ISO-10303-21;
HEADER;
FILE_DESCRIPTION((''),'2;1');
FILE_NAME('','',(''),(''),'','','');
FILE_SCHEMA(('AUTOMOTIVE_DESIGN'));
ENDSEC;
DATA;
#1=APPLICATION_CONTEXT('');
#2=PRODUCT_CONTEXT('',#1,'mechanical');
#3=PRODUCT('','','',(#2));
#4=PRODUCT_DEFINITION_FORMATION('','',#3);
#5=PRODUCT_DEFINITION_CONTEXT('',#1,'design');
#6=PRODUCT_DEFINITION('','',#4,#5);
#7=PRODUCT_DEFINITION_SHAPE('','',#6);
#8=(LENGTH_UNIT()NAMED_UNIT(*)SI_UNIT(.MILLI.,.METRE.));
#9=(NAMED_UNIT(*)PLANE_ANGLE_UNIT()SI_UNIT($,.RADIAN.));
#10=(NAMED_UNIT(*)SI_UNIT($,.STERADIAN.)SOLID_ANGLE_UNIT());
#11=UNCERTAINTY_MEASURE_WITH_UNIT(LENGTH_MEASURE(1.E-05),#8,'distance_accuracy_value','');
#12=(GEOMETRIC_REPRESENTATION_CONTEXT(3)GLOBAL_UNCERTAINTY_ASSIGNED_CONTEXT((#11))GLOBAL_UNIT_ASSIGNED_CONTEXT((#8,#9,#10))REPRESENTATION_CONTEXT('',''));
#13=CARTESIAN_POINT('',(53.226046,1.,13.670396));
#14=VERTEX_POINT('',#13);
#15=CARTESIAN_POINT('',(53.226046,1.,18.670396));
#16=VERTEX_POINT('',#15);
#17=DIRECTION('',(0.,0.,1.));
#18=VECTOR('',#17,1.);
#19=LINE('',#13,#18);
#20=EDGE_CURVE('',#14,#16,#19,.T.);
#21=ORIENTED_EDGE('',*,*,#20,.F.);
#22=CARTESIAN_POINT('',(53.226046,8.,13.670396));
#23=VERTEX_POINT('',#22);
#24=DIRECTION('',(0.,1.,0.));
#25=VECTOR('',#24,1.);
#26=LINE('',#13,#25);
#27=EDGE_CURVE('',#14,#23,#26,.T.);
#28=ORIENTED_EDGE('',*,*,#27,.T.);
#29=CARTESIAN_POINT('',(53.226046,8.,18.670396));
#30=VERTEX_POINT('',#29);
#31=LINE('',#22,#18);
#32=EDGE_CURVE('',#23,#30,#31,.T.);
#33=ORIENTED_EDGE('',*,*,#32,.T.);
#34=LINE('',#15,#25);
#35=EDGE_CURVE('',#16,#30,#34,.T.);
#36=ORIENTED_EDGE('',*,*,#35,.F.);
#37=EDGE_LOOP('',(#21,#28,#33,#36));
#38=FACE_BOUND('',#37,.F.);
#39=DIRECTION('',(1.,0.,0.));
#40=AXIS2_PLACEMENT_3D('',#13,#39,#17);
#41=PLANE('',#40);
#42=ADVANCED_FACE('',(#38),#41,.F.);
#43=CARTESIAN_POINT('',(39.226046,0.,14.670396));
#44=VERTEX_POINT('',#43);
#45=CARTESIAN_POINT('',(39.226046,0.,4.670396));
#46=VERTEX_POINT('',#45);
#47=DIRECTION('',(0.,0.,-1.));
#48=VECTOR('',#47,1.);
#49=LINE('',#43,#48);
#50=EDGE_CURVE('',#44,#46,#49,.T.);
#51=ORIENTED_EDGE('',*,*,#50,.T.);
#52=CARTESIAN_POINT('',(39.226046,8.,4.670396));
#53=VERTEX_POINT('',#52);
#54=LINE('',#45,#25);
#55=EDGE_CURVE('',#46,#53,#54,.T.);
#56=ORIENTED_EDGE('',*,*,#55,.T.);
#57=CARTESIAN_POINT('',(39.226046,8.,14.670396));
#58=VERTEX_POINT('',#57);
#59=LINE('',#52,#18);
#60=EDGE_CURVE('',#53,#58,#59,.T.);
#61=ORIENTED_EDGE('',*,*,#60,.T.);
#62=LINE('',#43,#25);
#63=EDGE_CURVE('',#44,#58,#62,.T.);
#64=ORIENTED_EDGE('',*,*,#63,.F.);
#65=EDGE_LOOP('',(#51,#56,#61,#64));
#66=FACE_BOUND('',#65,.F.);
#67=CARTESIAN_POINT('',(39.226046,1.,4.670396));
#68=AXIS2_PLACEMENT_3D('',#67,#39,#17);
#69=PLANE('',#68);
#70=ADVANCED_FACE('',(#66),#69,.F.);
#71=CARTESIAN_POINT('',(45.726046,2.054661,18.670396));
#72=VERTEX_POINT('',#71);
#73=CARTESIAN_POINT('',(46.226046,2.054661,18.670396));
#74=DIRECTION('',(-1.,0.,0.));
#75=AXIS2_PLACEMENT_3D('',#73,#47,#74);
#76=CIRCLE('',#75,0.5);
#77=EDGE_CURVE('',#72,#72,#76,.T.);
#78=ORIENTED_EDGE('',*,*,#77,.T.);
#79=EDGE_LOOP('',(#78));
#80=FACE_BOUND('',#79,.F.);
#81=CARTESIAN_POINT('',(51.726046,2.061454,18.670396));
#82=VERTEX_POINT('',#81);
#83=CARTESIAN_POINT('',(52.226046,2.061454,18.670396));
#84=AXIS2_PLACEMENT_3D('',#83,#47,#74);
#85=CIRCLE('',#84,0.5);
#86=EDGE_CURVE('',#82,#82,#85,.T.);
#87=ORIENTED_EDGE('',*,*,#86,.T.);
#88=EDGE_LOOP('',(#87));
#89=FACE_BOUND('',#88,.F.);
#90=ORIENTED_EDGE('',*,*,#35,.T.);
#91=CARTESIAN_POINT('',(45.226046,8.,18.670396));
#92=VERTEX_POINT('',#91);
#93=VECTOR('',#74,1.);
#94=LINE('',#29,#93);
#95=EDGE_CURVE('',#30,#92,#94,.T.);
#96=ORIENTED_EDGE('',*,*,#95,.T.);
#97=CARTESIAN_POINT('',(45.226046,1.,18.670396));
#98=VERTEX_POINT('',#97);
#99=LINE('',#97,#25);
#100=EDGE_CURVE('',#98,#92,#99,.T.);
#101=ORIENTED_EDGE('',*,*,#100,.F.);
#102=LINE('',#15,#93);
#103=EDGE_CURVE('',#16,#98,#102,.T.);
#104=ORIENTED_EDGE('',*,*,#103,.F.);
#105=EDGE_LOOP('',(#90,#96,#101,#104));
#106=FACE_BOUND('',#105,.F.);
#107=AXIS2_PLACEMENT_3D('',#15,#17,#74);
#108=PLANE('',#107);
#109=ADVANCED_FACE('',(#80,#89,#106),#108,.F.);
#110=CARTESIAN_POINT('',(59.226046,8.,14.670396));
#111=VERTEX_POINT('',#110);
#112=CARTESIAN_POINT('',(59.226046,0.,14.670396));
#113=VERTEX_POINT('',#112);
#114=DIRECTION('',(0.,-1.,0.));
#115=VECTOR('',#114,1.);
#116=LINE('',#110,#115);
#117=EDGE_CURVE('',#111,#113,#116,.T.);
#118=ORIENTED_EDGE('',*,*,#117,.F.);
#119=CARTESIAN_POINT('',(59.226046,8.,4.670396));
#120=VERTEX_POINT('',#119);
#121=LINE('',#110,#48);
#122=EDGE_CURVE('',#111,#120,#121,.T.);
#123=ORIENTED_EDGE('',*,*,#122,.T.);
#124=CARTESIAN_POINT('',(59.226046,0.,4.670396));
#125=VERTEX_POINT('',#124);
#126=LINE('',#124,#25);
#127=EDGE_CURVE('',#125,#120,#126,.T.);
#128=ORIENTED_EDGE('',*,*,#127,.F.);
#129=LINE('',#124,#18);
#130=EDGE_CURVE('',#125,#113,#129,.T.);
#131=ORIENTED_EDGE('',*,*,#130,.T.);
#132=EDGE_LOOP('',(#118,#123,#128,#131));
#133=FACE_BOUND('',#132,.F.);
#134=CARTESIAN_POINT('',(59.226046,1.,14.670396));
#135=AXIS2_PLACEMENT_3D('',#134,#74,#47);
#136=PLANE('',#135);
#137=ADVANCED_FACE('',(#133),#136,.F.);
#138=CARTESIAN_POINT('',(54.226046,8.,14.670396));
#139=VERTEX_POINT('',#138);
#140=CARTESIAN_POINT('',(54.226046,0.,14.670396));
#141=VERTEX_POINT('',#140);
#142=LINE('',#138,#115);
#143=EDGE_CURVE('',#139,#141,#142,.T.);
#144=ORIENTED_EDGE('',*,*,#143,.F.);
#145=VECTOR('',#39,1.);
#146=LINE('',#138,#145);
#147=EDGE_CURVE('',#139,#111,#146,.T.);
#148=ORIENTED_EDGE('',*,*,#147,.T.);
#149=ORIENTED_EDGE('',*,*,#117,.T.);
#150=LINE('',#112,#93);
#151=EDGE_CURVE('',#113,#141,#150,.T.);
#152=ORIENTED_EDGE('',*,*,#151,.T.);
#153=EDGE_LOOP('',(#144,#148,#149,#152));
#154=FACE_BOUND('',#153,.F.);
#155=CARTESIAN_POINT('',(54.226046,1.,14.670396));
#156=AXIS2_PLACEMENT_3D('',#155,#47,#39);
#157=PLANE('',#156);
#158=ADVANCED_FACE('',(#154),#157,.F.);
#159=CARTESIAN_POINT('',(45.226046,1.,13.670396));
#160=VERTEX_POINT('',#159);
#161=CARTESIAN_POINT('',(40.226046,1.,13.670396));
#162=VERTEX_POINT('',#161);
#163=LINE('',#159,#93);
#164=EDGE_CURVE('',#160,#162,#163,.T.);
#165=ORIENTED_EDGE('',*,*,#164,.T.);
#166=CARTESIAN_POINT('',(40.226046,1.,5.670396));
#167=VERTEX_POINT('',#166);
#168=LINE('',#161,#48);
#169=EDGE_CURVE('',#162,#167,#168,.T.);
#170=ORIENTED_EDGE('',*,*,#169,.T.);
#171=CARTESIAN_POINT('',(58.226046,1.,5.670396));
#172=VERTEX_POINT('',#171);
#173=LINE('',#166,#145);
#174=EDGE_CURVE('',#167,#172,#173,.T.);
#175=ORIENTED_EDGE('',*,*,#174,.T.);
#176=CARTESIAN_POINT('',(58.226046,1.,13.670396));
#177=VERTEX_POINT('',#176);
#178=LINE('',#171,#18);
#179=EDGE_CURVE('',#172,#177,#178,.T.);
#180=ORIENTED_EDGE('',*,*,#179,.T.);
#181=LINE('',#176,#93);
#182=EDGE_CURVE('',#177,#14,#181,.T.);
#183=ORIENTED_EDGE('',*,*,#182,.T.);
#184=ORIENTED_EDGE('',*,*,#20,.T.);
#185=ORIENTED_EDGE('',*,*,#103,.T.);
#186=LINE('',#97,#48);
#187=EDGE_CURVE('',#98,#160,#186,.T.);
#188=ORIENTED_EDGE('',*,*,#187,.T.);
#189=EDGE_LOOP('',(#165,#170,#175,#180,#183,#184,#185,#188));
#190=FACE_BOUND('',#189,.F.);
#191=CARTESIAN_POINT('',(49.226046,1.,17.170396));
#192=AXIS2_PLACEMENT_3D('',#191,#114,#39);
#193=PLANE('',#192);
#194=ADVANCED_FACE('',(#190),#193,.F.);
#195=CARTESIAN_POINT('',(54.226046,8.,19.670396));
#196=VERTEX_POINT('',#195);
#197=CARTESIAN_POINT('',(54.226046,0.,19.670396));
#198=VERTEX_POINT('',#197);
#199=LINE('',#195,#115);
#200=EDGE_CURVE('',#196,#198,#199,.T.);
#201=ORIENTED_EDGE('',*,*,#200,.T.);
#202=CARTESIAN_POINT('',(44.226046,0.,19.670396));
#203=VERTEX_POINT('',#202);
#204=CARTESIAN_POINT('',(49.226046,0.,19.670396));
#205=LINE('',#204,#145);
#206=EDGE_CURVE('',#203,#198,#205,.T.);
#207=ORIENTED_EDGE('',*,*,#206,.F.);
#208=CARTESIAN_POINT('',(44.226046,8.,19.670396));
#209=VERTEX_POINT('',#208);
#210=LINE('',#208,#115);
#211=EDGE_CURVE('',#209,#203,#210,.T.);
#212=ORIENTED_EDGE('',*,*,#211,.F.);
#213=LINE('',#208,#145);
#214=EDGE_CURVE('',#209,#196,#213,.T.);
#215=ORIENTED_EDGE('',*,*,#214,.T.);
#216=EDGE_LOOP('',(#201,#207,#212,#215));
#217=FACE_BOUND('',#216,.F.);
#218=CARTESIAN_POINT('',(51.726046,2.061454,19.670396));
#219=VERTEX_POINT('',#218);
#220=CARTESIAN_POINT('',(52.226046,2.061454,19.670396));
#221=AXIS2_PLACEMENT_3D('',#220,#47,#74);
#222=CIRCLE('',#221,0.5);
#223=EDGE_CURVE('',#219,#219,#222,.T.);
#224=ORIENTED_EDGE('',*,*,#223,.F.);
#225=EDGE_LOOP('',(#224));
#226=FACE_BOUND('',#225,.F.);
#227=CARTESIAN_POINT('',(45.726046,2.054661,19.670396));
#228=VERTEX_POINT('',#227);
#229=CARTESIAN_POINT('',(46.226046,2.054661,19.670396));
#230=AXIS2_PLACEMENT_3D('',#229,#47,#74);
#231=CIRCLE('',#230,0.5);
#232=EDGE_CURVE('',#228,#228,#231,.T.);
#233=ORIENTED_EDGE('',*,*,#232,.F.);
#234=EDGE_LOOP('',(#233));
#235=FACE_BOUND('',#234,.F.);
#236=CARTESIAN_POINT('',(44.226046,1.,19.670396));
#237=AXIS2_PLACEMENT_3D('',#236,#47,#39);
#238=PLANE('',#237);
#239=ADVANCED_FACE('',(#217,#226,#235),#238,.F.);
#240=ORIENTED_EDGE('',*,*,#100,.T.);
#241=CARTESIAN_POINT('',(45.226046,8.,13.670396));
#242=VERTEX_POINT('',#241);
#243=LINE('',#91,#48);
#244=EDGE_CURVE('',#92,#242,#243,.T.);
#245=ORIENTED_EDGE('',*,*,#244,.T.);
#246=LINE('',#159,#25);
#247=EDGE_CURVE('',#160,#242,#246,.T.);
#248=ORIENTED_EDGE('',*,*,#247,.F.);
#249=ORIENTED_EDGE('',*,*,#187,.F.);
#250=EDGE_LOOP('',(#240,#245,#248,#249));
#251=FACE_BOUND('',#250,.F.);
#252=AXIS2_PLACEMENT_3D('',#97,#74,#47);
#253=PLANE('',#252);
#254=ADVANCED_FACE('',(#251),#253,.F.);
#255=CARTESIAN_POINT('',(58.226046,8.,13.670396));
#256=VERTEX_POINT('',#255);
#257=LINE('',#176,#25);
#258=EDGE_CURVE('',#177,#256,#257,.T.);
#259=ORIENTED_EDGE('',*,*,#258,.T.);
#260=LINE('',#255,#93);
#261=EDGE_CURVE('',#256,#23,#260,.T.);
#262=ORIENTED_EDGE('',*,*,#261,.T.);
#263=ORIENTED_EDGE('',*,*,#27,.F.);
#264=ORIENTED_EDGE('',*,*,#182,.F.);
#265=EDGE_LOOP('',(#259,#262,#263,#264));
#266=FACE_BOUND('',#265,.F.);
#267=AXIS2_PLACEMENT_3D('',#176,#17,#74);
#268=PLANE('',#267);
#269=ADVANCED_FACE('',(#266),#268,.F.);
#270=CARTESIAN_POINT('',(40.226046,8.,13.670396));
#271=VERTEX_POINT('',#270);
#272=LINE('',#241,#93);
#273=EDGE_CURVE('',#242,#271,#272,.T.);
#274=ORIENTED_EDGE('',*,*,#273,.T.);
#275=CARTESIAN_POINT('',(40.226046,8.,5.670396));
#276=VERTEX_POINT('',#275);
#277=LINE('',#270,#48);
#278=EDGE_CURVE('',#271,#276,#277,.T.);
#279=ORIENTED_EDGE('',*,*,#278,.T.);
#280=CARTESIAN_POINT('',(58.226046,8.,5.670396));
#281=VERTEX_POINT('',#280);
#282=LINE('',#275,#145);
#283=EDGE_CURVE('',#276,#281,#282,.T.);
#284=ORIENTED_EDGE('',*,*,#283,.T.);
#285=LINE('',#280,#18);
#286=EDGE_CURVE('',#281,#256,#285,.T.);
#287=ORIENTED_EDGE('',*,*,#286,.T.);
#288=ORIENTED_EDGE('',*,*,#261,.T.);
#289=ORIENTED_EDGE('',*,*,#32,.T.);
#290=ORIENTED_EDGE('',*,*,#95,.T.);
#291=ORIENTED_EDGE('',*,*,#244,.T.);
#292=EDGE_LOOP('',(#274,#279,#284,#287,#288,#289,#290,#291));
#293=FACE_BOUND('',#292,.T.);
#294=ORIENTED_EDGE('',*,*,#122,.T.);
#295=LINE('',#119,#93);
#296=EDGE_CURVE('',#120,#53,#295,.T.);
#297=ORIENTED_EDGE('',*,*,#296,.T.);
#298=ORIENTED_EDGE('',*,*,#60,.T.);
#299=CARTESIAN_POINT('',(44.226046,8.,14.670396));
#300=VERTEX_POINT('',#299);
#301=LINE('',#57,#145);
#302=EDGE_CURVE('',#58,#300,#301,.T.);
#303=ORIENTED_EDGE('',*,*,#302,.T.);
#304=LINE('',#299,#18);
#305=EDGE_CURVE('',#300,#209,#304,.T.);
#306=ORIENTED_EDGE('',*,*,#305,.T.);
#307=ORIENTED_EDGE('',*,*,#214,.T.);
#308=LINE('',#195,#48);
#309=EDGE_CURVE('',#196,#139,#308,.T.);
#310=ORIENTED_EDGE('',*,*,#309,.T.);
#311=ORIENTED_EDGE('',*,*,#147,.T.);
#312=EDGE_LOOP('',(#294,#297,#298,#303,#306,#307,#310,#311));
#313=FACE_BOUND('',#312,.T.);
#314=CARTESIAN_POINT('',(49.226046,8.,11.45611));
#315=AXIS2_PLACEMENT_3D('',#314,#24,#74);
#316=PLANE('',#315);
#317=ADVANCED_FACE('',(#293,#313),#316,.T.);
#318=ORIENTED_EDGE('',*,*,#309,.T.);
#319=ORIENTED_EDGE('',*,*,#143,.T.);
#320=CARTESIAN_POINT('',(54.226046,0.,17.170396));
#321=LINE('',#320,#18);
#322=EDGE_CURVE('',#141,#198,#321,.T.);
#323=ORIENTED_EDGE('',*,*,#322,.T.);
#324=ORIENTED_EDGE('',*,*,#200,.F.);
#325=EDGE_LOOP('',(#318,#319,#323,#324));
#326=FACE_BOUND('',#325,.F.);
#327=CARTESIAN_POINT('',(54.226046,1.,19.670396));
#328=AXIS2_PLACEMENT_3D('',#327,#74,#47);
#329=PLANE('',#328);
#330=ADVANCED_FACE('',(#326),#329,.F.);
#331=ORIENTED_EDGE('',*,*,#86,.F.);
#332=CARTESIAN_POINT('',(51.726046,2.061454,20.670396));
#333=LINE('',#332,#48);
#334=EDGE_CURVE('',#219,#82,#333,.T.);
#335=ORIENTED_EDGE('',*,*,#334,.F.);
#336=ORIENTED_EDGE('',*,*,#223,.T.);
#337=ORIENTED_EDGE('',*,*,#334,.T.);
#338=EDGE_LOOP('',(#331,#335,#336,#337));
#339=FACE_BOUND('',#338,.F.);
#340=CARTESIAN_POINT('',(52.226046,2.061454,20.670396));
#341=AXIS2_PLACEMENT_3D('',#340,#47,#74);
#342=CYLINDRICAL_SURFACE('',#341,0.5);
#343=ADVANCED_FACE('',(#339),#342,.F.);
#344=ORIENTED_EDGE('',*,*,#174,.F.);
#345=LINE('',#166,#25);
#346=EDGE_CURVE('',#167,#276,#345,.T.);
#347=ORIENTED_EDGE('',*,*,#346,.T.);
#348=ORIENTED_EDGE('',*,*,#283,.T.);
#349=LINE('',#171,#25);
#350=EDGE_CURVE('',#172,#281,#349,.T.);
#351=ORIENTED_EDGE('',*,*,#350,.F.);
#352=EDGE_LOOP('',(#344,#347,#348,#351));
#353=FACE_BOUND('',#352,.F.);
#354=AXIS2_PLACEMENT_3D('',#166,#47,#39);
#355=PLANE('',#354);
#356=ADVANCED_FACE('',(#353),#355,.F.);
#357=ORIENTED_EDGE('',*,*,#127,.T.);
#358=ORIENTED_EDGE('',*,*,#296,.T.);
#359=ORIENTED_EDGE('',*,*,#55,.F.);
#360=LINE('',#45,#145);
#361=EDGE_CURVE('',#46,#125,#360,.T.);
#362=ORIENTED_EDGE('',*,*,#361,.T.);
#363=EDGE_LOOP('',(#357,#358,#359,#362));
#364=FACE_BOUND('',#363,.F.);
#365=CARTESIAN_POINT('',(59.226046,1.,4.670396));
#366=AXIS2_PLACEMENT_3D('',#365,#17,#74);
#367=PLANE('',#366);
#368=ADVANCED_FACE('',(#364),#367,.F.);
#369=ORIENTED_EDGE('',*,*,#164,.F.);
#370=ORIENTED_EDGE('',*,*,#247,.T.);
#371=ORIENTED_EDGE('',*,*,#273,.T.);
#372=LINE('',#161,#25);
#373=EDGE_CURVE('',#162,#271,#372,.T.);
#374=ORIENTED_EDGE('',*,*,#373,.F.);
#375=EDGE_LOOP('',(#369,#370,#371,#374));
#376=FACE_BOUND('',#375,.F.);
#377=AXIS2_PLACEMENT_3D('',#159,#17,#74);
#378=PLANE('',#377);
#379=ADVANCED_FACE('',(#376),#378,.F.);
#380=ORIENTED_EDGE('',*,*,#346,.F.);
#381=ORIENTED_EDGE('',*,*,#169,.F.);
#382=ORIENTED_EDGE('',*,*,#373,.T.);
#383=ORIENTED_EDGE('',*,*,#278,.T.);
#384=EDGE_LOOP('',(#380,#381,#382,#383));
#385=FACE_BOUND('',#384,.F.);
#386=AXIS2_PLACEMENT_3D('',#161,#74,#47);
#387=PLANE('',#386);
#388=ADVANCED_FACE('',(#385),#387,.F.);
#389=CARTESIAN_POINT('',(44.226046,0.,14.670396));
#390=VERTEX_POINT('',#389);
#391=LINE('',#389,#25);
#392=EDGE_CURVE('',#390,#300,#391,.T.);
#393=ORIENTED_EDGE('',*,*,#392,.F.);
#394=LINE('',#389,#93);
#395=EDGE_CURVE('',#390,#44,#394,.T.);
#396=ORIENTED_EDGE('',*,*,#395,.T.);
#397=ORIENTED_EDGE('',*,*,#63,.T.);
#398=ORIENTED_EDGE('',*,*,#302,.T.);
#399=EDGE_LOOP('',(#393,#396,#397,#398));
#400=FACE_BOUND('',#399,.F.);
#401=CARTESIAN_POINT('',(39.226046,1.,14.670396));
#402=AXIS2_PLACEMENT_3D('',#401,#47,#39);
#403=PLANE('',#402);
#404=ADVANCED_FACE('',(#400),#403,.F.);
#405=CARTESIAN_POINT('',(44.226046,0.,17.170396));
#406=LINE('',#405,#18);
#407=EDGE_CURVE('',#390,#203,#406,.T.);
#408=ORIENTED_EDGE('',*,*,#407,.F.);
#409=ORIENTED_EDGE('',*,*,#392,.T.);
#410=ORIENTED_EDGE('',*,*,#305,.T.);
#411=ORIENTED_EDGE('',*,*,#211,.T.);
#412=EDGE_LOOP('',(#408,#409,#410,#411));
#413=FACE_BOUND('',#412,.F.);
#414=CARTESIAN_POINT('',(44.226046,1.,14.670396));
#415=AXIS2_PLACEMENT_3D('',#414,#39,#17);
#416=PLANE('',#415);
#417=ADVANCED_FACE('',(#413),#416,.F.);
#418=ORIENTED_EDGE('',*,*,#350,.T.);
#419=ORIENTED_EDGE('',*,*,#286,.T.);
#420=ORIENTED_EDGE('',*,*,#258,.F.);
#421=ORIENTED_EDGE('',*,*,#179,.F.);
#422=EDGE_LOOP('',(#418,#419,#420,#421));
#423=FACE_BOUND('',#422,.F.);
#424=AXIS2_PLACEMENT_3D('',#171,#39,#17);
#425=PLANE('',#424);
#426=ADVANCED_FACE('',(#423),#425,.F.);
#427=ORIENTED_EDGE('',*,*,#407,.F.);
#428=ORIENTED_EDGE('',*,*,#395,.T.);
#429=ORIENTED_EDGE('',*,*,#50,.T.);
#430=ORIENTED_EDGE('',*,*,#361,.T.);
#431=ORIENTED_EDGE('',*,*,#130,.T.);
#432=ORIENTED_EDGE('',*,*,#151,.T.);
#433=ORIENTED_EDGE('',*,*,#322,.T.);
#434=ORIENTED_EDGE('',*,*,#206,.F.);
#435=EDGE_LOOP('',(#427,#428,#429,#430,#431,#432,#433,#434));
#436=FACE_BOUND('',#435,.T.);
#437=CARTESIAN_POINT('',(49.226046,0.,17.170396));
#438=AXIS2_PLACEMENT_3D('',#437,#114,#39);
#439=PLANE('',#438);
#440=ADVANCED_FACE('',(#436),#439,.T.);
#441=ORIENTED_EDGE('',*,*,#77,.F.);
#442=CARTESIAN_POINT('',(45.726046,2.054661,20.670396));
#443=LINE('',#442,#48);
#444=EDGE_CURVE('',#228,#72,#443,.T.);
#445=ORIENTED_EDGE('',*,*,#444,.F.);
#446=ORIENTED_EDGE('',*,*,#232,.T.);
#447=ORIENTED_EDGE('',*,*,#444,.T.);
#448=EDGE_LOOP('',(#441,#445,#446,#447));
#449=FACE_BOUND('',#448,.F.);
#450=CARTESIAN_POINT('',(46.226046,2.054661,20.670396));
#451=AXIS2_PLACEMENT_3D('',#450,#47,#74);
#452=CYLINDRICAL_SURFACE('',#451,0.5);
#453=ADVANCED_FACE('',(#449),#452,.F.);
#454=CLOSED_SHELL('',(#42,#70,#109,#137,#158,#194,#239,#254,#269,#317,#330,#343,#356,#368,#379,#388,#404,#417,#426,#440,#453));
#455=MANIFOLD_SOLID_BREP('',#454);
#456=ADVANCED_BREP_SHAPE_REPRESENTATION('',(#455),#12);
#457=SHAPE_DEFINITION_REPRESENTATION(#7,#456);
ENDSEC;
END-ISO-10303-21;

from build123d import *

# Parameters (mm, degrees)
F0_W     = 10
F0_H     = 5
F1_DEPTH = 1
F3_DEPTH = 7
F5_D     = 1
F5_DEPTH = 1


with BuildPart() as f1:
    # F0 (on Front) → F1 (new body)
    with BuildSketch(Plane.XZ):
        with Locations((49.226046, 17.170396)):
            Rectangle(F0_W, F0_H)
        Polygon((39.226046, 4.670396), (59.226046, 4.670396), (59.226046, 14.670396), (54.226046, 14.670396), (44.226046, 14.670396), (39.226046, 14.670396), align=None)
    extrude(amount=-F1_DEPTH)

    # F2 (on face) → F3 (join)
    with BuildSketch(Plane(origin=(0, 1, 0), x_dir=(-1, 0, 0), z_dir=(0, 1, 0))):
        Polygon((-59.226046, 14.670396), (-59.226046, 4.670396), (-39.226046, 4.670396), (-39.226046, 14.670396), (-44.226046, 14.670396), (-44.226046, 19.670396), (-54.226046, 19.670396), (-54.226046, 14.670396), align=None)
        Polygon((-58.226046, 5.670396), (-58.226046, 13.670396), (-53.226046, 13.670396), (-53.226046, 18.670396), (-45.226046, 18.670396), (-45.226046, 13.670396), (-40.226046, 13.670396), (-40.226046, 5.670396), align=None, mode=Mode.SUBTRACT)
    extrude(amount=F3_DEPTH)

    # F5
    with Locations(Plane.XY.offset(19.670396)):
        with Locations((46.226046, 2.054661), (52.226046, 2.061454)):
            Hole(F5_D / 2, depth=F5_DEPTH)


solid = f1.part
